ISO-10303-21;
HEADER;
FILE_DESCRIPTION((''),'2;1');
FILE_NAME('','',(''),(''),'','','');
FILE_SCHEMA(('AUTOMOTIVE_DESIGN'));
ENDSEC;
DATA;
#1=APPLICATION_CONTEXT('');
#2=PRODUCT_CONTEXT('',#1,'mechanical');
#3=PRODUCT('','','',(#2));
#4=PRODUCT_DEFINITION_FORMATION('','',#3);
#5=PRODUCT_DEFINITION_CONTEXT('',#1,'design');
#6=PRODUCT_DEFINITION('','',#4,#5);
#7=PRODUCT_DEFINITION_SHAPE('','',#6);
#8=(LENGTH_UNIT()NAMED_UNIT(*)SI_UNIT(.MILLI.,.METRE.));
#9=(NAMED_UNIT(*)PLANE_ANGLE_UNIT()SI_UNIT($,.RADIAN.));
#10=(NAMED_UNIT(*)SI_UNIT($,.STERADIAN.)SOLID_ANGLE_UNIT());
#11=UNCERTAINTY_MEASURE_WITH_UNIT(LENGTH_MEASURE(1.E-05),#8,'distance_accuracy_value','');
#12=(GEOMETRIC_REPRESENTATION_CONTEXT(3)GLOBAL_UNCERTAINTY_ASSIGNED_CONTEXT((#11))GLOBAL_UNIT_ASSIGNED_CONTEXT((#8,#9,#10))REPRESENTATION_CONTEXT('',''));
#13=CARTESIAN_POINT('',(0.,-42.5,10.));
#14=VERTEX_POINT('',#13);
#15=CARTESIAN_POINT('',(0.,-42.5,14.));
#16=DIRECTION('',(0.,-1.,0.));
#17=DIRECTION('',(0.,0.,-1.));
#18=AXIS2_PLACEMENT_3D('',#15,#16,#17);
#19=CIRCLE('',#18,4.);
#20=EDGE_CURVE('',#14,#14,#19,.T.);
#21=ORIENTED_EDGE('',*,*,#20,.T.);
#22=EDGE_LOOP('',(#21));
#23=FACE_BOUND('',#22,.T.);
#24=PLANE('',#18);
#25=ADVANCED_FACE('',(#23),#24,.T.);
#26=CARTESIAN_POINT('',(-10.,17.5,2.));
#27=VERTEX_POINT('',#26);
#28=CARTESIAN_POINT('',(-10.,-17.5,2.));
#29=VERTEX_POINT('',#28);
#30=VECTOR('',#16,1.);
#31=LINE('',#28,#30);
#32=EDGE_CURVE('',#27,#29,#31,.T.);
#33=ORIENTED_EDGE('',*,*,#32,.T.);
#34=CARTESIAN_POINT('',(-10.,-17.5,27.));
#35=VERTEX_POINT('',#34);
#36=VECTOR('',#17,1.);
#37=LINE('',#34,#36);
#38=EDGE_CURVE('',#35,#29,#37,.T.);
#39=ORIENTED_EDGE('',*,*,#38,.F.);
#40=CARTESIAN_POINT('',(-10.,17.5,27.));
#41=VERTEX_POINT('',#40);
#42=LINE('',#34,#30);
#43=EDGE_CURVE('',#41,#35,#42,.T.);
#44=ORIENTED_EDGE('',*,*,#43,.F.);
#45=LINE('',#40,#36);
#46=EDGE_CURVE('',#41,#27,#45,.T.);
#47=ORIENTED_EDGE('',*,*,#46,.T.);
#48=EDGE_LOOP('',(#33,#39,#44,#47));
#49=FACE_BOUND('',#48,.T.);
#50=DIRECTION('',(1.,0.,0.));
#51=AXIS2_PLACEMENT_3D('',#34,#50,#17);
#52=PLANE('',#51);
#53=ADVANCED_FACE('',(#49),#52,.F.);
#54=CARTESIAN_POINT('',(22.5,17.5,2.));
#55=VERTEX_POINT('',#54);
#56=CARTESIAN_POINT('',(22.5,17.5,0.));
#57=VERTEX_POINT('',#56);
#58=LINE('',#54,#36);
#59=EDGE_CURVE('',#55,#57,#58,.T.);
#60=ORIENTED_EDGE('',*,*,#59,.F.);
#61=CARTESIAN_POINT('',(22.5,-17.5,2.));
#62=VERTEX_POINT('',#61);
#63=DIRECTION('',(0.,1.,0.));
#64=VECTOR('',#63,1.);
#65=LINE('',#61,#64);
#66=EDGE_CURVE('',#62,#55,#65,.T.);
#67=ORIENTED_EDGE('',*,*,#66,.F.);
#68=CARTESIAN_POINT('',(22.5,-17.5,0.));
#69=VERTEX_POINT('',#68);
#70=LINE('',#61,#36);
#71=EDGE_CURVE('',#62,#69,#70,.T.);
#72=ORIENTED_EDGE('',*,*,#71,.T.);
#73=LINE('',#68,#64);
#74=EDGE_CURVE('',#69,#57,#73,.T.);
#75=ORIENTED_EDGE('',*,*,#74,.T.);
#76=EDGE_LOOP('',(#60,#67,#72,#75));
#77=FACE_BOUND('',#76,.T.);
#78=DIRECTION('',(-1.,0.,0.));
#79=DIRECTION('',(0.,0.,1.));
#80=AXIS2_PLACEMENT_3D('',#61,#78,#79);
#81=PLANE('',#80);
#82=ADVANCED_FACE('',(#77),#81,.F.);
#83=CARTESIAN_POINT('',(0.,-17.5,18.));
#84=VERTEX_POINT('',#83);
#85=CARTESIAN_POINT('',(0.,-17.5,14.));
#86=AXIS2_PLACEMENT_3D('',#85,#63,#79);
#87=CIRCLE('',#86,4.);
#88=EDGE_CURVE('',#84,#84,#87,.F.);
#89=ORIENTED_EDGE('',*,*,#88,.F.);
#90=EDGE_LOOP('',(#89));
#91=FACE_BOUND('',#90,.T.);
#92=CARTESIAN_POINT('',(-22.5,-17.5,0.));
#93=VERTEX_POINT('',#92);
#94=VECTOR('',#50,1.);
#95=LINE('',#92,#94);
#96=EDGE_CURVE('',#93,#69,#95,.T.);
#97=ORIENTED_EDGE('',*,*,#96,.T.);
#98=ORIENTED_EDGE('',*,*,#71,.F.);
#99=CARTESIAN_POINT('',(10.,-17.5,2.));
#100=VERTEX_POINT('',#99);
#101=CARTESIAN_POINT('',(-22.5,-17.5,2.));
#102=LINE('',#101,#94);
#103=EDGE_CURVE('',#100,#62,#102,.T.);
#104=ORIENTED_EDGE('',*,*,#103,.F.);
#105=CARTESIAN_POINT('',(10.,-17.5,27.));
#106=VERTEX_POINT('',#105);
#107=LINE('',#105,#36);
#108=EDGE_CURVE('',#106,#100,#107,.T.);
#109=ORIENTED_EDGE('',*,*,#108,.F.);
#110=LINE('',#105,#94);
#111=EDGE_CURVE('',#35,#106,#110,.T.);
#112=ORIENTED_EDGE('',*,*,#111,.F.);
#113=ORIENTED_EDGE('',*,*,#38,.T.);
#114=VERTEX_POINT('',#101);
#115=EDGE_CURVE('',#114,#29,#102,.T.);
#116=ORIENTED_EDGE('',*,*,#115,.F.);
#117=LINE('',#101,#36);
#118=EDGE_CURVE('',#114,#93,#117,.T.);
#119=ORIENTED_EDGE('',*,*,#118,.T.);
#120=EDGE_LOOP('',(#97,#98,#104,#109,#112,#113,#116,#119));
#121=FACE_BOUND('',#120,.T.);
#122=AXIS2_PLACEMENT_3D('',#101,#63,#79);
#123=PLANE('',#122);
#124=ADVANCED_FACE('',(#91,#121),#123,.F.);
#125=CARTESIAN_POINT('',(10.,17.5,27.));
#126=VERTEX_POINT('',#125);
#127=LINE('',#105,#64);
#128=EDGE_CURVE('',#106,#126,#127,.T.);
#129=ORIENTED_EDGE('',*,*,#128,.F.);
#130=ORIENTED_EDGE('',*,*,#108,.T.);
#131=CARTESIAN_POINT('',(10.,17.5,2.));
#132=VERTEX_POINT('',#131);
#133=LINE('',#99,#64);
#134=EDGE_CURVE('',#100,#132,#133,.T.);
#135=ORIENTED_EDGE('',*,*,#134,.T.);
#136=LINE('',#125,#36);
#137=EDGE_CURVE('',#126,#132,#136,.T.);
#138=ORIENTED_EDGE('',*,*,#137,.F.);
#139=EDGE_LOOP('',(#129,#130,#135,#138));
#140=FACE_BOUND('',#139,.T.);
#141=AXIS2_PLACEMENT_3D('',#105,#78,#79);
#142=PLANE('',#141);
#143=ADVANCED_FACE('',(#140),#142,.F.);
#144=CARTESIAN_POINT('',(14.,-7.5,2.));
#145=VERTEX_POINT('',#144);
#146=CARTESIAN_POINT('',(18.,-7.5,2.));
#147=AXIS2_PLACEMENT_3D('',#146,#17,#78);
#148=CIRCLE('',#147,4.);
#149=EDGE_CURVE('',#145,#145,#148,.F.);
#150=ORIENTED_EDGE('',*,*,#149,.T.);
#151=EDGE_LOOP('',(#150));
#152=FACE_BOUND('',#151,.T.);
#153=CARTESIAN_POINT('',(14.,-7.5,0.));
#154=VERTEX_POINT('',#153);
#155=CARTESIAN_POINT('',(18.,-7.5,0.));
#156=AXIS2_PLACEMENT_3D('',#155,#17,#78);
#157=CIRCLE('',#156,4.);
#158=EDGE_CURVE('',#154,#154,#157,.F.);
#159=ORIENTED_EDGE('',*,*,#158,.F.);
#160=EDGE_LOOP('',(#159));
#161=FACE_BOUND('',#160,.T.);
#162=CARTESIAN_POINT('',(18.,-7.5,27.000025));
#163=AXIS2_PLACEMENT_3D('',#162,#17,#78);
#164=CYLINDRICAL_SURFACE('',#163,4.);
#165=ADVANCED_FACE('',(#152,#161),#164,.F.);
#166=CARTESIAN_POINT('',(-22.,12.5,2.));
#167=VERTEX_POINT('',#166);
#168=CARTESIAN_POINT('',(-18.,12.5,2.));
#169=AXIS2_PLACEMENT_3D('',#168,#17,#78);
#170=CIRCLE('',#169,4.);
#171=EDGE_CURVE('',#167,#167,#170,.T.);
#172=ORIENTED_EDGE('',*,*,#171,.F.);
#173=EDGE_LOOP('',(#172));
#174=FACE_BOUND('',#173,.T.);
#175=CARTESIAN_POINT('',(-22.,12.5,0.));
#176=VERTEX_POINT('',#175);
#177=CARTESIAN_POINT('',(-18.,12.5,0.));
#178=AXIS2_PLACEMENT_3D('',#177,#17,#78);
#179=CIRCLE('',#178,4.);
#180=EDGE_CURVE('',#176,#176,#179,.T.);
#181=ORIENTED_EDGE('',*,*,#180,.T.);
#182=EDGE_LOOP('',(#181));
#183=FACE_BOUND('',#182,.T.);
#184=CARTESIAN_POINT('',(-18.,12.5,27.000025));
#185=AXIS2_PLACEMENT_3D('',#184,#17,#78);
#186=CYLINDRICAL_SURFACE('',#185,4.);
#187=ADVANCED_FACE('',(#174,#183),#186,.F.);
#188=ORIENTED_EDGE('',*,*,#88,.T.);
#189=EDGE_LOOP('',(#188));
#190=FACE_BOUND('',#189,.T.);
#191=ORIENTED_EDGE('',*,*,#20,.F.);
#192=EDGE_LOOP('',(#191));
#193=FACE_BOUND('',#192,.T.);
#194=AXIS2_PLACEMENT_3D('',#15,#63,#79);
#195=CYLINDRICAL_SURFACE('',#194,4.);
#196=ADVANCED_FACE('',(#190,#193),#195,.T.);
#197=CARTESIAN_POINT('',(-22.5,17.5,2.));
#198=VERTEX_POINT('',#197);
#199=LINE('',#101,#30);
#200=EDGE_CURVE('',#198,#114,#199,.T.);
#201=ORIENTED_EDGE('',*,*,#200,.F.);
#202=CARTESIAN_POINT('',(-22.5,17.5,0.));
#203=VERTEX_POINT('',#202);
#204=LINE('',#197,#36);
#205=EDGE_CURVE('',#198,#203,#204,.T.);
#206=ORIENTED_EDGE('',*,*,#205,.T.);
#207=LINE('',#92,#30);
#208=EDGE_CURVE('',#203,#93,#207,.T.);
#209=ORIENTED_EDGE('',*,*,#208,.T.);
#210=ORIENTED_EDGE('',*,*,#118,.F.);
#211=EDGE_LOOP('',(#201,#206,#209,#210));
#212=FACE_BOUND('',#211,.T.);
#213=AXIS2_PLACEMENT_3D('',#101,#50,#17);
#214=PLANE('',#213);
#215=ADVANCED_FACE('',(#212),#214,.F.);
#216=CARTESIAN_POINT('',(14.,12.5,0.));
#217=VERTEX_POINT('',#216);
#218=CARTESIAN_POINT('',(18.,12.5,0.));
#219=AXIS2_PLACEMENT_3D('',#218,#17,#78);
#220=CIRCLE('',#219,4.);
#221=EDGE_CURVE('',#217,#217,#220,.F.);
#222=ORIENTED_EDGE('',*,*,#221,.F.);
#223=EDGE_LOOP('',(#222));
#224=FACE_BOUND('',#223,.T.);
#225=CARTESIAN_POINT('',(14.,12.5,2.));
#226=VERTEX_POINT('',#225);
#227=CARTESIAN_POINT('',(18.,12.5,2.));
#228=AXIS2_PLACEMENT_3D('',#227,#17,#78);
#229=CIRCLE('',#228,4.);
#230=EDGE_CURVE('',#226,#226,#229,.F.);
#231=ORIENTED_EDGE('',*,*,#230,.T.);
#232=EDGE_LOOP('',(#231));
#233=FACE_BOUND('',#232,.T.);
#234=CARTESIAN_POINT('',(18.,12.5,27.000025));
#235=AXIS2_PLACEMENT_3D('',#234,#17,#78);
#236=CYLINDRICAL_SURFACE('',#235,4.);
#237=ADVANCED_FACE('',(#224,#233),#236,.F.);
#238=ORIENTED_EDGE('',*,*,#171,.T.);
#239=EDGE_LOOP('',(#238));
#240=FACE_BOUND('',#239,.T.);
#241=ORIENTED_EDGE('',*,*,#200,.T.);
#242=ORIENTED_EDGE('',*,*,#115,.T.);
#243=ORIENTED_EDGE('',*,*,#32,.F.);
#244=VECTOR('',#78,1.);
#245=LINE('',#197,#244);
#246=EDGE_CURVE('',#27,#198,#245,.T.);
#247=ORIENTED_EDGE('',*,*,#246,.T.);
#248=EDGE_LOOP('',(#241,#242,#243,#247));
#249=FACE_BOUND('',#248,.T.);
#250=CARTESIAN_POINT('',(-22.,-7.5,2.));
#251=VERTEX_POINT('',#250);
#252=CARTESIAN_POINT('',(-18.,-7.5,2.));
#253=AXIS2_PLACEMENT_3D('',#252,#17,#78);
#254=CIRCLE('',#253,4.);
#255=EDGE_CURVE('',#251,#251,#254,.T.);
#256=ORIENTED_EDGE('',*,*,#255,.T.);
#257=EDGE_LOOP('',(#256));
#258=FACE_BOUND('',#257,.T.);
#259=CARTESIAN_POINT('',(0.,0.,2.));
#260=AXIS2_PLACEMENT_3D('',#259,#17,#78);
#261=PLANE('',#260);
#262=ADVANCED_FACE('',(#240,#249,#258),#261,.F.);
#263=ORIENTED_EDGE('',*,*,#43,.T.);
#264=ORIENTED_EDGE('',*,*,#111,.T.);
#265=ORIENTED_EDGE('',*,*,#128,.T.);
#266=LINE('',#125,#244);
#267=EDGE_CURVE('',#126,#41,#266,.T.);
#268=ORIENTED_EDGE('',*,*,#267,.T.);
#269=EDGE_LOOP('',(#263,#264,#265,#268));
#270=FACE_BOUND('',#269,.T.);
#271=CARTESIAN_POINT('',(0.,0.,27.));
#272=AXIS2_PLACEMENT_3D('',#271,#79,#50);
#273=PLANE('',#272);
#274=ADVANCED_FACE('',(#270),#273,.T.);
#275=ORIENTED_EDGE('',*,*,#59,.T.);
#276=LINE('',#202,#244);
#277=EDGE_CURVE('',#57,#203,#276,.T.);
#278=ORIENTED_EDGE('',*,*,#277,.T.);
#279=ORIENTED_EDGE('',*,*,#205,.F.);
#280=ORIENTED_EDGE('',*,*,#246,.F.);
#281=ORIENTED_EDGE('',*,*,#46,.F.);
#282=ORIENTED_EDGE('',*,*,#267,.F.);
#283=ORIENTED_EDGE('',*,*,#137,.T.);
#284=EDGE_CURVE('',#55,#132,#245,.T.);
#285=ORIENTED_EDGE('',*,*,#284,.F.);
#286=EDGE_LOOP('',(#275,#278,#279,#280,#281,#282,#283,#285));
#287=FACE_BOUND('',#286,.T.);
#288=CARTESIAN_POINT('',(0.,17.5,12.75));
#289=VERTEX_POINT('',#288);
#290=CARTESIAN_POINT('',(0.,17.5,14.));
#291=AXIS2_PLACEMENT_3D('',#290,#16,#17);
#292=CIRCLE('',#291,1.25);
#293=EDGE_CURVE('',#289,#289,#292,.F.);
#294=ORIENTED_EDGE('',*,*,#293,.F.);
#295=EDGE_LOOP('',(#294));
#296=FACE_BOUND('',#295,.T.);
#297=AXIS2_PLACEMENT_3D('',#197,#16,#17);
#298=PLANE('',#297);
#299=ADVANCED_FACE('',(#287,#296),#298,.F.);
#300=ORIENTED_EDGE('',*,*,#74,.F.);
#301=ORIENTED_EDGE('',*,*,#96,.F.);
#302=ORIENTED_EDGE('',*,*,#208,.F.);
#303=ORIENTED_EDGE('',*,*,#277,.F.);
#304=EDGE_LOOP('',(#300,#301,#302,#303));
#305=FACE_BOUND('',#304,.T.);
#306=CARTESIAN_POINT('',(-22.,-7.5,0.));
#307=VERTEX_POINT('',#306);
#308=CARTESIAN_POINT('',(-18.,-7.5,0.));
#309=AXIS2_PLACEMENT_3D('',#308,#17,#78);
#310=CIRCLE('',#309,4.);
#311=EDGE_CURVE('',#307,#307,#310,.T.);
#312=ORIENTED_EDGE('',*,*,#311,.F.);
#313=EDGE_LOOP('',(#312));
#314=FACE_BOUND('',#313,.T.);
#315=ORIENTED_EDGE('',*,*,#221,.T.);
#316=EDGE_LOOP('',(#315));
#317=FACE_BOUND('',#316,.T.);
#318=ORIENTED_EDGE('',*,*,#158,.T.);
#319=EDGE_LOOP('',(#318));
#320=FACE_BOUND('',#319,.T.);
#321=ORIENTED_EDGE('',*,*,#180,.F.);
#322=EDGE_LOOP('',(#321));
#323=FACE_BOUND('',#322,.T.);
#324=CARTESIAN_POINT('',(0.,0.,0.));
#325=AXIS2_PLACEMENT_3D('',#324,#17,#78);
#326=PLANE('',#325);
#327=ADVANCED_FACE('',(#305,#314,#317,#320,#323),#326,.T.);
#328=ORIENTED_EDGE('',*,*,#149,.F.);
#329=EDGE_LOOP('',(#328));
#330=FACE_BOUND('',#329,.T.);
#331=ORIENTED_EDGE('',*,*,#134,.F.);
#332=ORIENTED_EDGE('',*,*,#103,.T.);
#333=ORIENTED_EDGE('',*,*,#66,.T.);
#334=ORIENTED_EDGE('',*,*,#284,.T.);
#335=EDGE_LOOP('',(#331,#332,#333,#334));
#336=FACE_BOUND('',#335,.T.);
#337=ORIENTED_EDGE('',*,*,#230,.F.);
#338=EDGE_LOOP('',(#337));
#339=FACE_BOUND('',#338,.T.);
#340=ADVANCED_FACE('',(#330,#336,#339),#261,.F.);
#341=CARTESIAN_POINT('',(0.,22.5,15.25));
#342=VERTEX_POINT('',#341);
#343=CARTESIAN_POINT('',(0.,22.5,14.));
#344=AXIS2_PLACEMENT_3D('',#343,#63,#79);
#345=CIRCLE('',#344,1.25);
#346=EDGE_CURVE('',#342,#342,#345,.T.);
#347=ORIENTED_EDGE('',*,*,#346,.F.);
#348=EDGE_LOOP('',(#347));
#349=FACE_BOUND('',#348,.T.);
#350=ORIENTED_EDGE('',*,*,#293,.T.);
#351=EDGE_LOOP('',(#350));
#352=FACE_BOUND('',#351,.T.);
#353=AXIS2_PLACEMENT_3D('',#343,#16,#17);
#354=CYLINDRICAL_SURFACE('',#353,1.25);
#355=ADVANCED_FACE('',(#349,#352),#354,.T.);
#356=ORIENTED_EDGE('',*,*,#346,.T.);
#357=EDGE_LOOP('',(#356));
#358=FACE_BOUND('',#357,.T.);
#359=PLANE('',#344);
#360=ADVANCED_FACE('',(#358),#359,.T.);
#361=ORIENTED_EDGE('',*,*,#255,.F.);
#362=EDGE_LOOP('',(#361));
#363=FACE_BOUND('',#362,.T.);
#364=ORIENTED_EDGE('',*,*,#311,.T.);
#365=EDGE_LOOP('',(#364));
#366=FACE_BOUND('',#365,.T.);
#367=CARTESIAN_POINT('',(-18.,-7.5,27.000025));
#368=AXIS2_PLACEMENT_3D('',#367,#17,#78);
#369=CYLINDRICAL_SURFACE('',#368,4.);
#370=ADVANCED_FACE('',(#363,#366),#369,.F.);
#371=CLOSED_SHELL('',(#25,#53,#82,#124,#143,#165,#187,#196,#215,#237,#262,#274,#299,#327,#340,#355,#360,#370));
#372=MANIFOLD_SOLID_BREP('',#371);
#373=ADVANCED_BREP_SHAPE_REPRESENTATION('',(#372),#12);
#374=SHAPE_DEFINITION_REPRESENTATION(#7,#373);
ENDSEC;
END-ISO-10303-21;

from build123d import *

# Parameters (mm, degrees)
SKETCH_1_W          = 45
SKETCH_1_H          = 35
EXTRUDE_1_DEPTH     = 2
SKETCH_2_W          = 20
SKETCH_2_H          = 35
EXTRUDE_2_DEPTH     = 25
SKETCH_3_R          = 4
EXTRUDE_3_DEPTH     = 25
SKETCH_4_R          = 1.25
EXTRUDE_4_DEPTH     = 5
SKETCH_5_R          = 4
CUT_EXTRUDE_1_DEPTH = 28


with BuildPart() as part:
    # ｽｹｯﾁ1 → ﾎﾞｽ - 押し出し1 (new body)
    with BuildSketch(Plane.XY):
        Rectangle(SKETCH_1_W, SKETCH_1_H)
    extrude(amount=EXTRUDE_1_DEPTH)

    # ｽｹｯﾁ2 → ﾎﾞｽ - 押し出し2 (add)
    with BuildSketch(Plane.XY.offset(2)):
        Rectangle(SKETCH_2_W, SKETCH_2_H)
    extrude(amount=EXTRUDE_2_DEPTH)

    # ｽｹｯﾁ3 → ﾎﾞｽ - 押し出し3 (add)
    with BuildSketch(Plane(origin=(0, -17.5, 0), x_dir=(-1, 0, 0), z_dir=(0, -1, 0))):
        with Locations((0, -14)):
            Circle(SKETCH_3_R)
    extrude(amount=EXTRUDE_3_DEPTH)

    # ｽｹｯﾁ4 → ﾎﾞｽ - 押し出し4 (add)
    with BuildSketch(Plane(origin=(0, 17.5, 0), x_dir=(1, 0, 0), z_dir=(0, 1, 0))):
        with Locations((0, -14)):
            Circle(SKETCH_4_R)
    extrude(amount=EXTRUDE_4_DEPTH)

    # ｽｹｯﾁ5 → ｶｯﾄ - 押し出し1 (cut, through all)
    with BuildSketch(Plane(origin=(0, 0, 0), x_dir=(-1, 0, 0), z_dir=(0, 0, -1))):
        with Locations((18, -7.5)):
            Circle(SKETCH_5_R)
        with Locations((18, 12.5)):
            Circle(SKETCH_5_R)
        with Locations((-18, 12.5)):
            Circle(SKETCH_5_R)
        with Locations((-18, -7.5)):
            Circle(SKETCH_5_R)
    extrude(amount=-CUT_EXTRUDE_1_DEPTH, mode=Mode.SUBTRACT)


solid = part.part
